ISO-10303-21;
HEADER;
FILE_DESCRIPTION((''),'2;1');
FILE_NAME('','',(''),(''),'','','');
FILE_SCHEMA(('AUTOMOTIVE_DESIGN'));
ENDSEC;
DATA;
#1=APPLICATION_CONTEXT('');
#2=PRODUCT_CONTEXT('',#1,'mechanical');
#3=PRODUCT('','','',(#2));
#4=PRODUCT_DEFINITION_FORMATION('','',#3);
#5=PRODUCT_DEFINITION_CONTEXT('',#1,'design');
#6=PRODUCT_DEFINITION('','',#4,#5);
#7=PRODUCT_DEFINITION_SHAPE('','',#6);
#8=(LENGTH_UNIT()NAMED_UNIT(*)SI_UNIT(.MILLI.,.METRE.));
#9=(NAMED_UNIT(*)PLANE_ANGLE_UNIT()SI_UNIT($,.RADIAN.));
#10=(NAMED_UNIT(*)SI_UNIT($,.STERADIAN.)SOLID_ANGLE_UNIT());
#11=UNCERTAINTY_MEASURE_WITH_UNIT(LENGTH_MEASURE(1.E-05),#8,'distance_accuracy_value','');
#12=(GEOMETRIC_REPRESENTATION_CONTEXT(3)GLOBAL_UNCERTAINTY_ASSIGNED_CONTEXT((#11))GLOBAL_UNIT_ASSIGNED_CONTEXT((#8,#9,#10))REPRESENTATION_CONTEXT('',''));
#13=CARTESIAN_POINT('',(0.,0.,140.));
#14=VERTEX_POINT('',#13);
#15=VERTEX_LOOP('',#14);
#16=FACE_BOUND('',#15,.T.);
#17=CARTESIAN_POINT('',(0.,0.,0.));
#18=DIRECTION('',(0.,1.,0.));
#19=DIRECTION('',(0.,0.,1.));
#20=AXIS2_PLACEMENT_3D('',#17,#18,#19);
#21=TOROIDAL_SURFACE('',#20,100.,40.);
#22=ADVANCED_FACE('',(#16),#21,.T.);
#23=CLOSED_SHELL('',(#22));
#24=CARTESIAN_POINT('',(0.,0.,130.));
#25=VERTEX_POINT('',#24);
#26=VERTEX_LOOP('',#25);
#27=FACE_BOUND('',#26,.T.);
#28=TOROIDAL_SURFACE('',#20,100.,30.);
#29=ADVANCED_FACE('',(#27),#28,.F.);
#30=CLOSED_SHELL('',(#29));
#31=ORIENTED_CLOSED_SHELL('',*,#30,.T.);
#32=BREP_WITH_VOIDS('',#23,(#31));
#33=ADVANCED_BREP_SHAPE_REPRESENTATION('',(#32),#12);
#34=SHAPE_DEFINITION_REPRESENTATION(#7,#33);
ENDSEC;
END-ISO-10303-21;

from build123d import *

# Parameters (mm, degrees)
SKETCH2_R   = 40
SKETCH2_R_2 = 30


with BuildPart() as part:
    # Sketch2 → Revolve-Thin1 (revolve)
    with BuildSketch(Plane.XY, mode=Mode.PRIVATE) as revolve_thin1_sk:
        with Locations((-100, 0)):
            Circle(SKETCH2_R)
        with Locations((-100, 0)):
            Circle(SKETCH2_R_2, mode=Mode.SUBTRACT)
    revolve(revolve_thin1_sk.sketch.rotate(Axis((0, 75.972413793, 0), (0, -1, 0)), 270), axis=Axis((0, 75.972413793, 0), (0, -1, 0)))


solid = part.part
